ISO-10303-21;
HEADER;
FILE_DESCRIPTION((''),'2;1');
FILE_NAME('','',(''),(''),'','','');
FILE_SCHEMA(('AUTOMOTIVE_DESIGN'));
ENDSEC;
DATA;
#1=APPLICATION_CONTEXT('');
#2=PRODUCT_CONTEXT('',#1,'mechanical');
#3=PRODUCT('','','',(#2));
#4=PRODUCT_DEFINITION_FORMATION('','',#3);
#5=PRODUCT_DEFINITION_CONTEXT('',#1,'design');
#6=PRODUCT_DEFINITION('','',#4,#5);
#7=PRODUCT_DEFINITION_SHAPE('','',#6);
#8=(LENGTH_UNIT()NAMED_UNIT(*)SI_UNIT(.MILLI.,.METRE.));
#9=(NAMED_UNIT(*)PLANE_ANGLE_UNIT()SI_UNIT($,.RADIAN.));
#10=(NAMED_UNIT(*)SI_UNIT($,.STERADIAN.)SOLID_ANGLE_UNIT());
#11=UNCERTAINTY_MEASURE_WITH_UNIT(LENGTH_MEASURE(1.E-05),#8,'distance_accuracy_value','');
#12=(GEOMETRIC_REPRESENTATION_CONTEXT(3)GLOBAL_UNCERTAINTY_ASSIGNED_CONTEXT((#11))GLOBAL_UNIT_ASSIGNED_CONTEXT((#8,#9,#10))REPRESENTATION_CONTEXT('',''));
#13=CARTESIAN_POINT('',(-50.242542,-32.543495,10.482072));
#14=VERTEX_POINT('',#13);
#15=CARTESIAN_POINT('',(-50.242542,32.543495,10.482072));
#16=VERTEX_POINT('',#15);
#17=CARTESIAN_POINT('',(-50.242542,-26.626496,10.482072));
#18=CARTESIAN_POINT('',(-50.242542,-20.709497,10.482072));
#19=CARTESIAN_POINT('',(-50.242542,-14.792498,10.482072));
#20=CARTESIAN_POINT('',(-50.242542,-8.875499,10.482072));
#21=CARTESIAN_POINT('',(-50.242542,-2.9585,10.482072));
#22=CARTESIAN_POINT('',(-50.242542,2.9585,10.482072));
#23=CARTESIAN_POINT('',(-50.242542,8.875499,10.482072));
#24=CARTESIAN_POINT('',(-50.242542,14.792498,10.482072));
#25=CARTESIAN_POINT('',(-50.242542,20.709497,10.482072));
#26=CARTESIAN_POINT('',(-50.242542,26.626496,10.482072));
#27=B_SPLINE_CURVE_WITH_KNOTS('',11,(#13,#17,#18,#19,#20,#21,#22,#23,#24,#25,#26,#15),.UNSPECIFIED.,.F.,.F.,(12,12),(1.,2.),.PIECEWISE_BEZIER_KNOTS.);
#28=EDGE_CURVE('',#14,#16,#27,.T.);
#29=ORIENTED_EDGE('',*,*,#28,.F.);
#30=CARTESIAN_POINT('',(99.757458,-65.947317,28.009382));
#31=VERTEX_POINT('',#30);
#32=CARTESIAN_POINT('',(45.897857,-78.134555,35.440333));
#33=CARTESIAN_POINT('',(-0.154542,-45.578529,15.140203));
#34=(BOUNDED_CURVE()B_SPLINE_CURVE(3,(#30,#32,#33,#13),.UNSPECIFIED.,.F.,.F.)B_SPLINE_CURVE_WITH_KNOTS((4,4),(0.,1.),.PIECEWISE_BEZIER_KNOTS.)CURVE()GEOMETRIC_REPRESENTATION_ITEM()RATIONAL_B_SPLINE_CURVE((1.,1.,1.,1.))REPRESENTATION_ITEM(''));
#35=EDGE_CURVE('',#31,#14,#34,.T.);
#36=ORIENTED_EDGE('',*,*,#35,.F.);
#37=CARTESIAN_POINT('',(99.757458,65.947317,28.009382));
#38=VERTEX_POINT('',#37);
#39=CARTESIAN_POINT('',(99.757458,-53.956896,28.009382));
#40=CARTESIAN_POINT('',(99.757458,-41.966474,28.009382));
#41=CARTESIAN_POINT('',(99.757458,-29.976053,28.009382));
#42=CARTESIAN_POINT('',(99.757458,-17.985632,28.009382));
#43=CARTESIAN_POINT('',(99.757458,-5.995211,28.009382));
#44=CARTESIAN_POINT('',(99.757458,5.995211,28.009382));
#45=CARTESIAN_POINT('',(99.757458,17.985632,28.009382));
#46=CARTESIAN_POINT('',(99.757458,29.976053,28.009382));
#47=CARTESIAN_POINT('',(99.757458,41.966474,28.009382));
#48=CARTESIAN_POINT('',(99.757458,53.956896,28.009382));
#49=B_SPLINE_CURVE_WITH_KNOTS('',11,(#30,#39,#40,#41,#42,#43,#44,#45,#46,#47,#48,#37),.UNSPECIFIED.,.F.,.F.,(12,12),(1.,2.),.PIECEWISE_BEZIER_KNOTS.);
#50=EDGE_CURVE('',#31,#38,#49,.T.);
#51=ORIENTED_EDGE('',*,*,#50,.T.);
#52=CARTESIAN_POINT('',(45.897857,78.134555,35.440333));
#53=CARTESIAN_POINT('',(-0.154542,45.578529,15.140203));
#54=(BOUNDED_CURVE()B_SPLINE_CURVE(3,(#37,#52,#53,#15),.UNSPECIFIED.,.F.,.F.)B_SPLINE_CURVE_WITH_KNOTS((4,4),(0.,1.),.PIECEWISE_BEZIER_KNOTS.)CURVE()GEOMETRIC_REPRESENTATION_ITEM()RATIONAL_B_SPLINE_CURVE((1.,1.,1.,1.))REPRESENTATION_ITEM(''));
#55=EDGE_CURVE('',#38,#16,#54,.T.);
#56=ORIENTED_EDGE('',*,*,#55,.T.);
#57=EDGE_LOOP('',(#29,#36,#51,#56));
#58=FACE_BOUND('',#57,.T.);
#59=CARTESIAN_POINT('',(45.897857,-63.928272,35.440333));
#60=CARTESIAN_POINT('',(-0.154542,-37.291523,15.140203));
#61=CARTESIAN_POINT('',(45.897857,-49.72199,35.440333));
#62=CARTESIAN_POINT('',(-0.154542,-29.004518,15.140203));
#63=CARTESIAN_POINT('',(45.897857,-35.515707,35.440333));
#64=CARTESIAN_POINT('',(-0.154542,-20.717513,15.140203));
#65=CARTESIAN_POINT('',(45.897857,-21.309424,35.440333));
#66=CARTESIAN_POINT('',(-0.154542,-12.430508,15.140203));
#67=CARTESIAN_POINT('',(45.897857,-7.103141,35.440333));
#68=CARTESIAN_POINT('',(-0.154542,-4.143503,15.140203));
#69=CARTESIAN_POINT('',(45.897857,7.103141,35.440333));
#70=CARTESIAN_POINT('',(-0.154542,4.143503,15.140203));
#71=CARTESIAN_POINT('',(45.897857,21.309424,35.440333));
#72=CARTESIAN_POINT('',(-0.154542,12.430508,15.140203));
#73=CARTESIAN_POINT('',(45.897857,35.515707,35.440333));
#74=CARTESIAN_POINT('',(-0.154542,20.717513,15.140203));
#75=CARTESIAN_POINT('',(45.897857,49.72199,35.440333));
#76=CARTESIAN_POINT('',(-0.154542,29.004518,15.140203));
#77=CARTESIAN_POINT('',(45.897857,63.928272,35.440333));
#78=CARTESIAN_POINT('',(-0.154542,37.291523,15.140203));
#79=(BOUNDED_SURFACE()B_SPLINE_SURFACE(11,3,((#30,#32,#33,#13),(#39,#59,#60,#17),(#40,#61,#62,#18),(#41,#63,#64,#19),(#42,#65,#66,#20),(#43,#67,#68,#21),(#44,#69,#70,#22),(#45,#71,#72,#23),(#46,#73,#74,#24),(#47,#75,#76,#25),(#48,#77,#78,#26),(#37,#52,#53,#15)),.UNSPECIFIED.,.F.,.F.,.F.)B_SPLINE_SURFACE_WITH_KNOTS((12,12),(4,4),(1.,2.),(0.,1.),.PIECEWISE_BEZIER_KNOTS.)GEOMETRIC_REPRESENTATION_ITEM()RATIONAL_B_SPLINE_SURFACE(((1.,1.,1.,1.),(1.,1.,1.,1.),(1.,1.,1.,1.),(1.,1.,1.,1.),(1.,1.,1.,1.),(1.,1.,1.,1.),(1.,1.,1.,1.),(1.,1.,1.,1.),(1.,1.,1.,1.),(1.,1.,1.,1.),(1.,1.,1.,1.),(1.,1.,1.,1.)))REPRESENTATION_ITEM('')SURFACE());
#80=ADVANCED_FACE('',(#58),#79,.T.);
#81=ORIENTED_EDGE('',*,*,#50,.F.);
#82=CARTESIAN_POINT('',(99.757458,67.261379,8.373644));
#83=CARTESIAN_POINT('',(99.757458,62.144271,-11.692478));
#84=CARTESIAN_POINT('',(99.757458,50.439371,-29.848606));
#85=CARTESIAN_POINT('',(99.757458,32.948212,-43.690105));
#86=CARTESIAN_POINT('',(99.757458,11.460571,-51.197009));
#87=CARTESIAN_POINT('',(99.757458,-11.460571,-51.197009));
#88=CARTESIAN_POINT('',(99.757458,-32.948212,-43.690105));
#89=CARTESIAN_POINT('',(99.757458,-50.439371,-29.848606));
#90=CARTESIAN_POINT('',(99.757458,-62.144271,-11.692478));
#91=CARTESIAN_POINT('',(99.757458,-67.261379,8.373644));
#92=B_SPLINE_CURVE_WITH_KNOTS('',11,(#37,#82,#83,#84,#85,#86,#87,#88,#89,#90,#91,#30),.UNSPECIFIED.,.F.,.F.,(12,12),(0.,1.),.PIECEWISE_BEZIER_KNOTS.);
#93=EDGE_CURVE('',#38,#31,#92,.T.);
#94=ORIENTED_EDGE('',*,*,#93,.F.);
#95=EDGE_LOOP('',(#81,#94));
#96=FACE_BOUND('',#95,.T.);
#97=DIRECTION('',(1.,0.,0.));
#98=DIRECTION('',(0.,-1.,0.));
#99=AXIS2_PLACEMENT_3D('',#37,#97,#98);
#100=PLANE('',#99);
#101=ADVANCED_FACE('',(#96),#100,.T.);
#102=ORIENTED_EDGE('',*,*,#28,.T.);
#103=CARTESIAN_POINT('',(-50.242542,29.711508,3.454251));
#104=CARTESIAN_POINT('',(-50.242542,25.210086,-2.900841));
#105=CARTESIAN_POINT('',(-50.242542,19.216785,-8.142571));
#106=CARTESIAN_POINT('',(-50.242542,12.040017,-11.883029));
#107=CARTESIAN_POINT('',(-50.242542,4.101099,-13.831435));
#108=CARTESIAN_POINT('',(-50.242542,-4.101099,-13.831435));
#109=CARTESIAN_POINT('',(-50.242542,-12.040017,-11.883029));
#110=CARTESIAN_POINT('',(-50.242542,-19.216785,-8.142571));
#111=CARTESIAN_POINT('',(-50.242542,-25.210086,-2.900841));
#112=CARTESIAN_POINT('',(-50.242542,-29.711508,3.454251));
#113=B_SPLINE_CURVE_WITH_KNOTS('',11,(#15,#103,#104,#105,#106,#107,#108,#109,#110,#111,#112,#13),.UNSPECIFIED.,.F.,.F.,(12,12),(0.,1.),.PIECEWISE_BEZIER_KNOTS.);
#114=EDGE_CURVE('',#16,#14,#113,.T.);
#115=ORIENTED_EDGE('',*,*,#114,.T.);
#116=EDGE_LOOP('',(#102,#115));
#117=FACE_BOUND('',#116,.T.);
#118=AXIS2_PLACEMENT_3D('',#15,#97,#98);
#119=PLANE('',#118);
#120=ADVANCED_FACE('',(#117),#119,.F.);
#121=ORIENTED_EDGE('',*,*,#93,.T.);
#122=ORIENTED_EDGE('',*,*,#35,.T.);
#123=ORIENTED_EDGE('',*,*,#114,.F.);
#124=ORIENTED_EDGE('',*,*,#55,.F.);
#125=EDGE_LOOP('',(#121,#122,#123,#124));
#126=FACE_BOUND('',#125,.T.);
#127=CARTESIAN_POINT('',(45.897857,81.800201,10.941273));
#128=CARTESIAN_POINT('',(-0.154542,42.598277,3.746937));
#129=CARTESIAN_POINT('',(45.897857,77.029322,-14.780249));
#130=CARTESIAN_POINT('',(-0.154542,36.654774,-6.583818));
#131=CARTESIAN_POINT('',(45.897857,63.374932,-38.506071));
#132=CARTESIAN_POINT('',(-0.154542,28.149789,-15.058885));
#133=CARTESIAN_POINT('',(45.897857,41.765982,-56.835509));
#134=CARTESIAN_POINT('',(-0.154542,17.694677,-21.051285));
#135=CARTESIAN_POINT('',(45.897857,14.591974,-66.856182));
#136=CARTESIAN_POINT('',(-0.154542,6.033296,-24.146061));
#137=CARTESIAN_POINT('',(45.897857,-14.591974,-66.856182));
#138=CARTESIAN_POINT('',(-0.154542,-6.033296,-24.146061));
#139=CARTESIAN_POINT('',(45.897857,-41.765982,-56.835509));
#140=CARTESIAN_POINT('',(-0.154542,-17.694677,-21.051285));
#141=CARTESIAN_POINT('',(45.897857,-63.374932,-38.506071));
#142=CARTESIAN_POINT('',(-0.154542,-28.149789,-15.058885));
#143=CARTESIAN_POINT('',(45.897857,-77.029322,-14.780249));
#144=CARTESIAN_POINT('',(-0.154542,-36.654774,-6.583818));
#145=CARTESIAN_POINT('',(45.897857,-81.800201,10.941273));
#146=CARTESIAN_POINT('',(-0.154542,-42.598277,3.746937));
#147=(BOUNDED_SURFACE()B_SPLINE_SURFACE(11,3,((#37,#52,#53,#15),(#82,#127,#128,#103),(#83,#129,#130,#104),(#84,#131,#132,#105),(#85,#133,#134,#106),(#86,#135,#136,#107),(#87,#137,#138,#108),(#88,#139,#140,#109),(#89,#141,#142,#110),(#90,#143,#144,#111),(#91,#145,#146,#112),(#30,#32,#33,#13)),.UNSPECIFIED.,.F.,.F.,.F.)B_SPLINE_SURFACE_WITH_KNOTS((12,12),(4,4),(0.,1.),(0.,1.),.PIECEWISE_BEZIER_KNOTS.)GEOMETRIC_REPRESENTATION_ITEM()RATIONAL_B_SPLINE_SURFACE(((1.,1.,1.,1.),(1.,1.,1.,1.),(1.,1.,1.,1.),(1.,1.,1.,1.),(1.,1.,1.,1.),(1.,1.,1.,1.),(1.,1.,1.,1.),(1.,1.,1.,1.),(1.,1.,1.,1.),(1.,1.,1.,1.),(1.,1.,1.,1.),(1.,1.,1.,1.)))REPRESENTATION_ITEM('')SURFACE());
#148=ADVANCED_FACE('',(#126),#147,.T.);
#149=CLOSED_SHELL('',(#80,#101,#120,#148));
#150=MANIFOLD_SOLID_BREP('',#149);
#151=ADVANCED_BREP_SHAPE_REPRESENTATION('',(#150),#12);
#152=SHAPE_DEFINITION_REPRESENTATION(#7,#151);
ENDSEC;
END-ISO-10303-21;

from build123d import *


with BuildPart() as part:
    # Sketch002 (on Vertex5 of Sketch) → Loft section 0
    with BuildSketch(Plane(origin=(99.757458, 0, 0), x_dir=(0, -1, 0), z_dir=(-1, 0, 0))):
        with BuildLine():
            ThreePointArc((-65.947317, 28.009382), (0, -42.498769), (65.947317, 28.009382))
            Line((-65.947317, 28.009382), (65.947317, 28.009382))
        make_face()
    # Sketch001 (on Vertex4 of Sketch) → Loft section 1
    with BuildSketch(Plane(origin=(49.757458, 0, 0), x_dir=(0, -1, 0), z_dir=(-1, 0, 0))):
        with BuildLine():
            ThreePointArc((-65.947317, 28.009382), (0, -42.498769), (65.947317, 28.009382))
            Line((-65.947317, 28.009382), (65.947317, 28.009382))
        make_face()
    # Sketch003 (on Vertex3 of Sketch) → Loft section 2
    with BuildSketch(Plane(origin=(-0.242542, 0, 0), x_dir=(0, -1, 0), z_dir=(-1, 0, 0))):
        with BuildLine():
            ThreePointArc((-50.022919, 18.920422), (0, -26.644902), (50.022919, 18.920422))
            Line((-50.022919, 18.920422), (50.022919, 18.920422))
        make_face()
    # Sketch004 (on Vertex2 of Sketch) → Loft section 3
    with BuildSketch(Plane(origin=(-50.242542, 0, 0), x_dir=(0, -1, 0), z_dir=(-1, 0, 0))):
        with BuildLine():
            ThreePointArc((-32.543495, 10.482072), (0, -11.490346), (32.543495, 10.482072))
            Line((-32.543495, 10.482072), (32.543495, 10.482072))
        make_face()
    loft()


solid = part.part
